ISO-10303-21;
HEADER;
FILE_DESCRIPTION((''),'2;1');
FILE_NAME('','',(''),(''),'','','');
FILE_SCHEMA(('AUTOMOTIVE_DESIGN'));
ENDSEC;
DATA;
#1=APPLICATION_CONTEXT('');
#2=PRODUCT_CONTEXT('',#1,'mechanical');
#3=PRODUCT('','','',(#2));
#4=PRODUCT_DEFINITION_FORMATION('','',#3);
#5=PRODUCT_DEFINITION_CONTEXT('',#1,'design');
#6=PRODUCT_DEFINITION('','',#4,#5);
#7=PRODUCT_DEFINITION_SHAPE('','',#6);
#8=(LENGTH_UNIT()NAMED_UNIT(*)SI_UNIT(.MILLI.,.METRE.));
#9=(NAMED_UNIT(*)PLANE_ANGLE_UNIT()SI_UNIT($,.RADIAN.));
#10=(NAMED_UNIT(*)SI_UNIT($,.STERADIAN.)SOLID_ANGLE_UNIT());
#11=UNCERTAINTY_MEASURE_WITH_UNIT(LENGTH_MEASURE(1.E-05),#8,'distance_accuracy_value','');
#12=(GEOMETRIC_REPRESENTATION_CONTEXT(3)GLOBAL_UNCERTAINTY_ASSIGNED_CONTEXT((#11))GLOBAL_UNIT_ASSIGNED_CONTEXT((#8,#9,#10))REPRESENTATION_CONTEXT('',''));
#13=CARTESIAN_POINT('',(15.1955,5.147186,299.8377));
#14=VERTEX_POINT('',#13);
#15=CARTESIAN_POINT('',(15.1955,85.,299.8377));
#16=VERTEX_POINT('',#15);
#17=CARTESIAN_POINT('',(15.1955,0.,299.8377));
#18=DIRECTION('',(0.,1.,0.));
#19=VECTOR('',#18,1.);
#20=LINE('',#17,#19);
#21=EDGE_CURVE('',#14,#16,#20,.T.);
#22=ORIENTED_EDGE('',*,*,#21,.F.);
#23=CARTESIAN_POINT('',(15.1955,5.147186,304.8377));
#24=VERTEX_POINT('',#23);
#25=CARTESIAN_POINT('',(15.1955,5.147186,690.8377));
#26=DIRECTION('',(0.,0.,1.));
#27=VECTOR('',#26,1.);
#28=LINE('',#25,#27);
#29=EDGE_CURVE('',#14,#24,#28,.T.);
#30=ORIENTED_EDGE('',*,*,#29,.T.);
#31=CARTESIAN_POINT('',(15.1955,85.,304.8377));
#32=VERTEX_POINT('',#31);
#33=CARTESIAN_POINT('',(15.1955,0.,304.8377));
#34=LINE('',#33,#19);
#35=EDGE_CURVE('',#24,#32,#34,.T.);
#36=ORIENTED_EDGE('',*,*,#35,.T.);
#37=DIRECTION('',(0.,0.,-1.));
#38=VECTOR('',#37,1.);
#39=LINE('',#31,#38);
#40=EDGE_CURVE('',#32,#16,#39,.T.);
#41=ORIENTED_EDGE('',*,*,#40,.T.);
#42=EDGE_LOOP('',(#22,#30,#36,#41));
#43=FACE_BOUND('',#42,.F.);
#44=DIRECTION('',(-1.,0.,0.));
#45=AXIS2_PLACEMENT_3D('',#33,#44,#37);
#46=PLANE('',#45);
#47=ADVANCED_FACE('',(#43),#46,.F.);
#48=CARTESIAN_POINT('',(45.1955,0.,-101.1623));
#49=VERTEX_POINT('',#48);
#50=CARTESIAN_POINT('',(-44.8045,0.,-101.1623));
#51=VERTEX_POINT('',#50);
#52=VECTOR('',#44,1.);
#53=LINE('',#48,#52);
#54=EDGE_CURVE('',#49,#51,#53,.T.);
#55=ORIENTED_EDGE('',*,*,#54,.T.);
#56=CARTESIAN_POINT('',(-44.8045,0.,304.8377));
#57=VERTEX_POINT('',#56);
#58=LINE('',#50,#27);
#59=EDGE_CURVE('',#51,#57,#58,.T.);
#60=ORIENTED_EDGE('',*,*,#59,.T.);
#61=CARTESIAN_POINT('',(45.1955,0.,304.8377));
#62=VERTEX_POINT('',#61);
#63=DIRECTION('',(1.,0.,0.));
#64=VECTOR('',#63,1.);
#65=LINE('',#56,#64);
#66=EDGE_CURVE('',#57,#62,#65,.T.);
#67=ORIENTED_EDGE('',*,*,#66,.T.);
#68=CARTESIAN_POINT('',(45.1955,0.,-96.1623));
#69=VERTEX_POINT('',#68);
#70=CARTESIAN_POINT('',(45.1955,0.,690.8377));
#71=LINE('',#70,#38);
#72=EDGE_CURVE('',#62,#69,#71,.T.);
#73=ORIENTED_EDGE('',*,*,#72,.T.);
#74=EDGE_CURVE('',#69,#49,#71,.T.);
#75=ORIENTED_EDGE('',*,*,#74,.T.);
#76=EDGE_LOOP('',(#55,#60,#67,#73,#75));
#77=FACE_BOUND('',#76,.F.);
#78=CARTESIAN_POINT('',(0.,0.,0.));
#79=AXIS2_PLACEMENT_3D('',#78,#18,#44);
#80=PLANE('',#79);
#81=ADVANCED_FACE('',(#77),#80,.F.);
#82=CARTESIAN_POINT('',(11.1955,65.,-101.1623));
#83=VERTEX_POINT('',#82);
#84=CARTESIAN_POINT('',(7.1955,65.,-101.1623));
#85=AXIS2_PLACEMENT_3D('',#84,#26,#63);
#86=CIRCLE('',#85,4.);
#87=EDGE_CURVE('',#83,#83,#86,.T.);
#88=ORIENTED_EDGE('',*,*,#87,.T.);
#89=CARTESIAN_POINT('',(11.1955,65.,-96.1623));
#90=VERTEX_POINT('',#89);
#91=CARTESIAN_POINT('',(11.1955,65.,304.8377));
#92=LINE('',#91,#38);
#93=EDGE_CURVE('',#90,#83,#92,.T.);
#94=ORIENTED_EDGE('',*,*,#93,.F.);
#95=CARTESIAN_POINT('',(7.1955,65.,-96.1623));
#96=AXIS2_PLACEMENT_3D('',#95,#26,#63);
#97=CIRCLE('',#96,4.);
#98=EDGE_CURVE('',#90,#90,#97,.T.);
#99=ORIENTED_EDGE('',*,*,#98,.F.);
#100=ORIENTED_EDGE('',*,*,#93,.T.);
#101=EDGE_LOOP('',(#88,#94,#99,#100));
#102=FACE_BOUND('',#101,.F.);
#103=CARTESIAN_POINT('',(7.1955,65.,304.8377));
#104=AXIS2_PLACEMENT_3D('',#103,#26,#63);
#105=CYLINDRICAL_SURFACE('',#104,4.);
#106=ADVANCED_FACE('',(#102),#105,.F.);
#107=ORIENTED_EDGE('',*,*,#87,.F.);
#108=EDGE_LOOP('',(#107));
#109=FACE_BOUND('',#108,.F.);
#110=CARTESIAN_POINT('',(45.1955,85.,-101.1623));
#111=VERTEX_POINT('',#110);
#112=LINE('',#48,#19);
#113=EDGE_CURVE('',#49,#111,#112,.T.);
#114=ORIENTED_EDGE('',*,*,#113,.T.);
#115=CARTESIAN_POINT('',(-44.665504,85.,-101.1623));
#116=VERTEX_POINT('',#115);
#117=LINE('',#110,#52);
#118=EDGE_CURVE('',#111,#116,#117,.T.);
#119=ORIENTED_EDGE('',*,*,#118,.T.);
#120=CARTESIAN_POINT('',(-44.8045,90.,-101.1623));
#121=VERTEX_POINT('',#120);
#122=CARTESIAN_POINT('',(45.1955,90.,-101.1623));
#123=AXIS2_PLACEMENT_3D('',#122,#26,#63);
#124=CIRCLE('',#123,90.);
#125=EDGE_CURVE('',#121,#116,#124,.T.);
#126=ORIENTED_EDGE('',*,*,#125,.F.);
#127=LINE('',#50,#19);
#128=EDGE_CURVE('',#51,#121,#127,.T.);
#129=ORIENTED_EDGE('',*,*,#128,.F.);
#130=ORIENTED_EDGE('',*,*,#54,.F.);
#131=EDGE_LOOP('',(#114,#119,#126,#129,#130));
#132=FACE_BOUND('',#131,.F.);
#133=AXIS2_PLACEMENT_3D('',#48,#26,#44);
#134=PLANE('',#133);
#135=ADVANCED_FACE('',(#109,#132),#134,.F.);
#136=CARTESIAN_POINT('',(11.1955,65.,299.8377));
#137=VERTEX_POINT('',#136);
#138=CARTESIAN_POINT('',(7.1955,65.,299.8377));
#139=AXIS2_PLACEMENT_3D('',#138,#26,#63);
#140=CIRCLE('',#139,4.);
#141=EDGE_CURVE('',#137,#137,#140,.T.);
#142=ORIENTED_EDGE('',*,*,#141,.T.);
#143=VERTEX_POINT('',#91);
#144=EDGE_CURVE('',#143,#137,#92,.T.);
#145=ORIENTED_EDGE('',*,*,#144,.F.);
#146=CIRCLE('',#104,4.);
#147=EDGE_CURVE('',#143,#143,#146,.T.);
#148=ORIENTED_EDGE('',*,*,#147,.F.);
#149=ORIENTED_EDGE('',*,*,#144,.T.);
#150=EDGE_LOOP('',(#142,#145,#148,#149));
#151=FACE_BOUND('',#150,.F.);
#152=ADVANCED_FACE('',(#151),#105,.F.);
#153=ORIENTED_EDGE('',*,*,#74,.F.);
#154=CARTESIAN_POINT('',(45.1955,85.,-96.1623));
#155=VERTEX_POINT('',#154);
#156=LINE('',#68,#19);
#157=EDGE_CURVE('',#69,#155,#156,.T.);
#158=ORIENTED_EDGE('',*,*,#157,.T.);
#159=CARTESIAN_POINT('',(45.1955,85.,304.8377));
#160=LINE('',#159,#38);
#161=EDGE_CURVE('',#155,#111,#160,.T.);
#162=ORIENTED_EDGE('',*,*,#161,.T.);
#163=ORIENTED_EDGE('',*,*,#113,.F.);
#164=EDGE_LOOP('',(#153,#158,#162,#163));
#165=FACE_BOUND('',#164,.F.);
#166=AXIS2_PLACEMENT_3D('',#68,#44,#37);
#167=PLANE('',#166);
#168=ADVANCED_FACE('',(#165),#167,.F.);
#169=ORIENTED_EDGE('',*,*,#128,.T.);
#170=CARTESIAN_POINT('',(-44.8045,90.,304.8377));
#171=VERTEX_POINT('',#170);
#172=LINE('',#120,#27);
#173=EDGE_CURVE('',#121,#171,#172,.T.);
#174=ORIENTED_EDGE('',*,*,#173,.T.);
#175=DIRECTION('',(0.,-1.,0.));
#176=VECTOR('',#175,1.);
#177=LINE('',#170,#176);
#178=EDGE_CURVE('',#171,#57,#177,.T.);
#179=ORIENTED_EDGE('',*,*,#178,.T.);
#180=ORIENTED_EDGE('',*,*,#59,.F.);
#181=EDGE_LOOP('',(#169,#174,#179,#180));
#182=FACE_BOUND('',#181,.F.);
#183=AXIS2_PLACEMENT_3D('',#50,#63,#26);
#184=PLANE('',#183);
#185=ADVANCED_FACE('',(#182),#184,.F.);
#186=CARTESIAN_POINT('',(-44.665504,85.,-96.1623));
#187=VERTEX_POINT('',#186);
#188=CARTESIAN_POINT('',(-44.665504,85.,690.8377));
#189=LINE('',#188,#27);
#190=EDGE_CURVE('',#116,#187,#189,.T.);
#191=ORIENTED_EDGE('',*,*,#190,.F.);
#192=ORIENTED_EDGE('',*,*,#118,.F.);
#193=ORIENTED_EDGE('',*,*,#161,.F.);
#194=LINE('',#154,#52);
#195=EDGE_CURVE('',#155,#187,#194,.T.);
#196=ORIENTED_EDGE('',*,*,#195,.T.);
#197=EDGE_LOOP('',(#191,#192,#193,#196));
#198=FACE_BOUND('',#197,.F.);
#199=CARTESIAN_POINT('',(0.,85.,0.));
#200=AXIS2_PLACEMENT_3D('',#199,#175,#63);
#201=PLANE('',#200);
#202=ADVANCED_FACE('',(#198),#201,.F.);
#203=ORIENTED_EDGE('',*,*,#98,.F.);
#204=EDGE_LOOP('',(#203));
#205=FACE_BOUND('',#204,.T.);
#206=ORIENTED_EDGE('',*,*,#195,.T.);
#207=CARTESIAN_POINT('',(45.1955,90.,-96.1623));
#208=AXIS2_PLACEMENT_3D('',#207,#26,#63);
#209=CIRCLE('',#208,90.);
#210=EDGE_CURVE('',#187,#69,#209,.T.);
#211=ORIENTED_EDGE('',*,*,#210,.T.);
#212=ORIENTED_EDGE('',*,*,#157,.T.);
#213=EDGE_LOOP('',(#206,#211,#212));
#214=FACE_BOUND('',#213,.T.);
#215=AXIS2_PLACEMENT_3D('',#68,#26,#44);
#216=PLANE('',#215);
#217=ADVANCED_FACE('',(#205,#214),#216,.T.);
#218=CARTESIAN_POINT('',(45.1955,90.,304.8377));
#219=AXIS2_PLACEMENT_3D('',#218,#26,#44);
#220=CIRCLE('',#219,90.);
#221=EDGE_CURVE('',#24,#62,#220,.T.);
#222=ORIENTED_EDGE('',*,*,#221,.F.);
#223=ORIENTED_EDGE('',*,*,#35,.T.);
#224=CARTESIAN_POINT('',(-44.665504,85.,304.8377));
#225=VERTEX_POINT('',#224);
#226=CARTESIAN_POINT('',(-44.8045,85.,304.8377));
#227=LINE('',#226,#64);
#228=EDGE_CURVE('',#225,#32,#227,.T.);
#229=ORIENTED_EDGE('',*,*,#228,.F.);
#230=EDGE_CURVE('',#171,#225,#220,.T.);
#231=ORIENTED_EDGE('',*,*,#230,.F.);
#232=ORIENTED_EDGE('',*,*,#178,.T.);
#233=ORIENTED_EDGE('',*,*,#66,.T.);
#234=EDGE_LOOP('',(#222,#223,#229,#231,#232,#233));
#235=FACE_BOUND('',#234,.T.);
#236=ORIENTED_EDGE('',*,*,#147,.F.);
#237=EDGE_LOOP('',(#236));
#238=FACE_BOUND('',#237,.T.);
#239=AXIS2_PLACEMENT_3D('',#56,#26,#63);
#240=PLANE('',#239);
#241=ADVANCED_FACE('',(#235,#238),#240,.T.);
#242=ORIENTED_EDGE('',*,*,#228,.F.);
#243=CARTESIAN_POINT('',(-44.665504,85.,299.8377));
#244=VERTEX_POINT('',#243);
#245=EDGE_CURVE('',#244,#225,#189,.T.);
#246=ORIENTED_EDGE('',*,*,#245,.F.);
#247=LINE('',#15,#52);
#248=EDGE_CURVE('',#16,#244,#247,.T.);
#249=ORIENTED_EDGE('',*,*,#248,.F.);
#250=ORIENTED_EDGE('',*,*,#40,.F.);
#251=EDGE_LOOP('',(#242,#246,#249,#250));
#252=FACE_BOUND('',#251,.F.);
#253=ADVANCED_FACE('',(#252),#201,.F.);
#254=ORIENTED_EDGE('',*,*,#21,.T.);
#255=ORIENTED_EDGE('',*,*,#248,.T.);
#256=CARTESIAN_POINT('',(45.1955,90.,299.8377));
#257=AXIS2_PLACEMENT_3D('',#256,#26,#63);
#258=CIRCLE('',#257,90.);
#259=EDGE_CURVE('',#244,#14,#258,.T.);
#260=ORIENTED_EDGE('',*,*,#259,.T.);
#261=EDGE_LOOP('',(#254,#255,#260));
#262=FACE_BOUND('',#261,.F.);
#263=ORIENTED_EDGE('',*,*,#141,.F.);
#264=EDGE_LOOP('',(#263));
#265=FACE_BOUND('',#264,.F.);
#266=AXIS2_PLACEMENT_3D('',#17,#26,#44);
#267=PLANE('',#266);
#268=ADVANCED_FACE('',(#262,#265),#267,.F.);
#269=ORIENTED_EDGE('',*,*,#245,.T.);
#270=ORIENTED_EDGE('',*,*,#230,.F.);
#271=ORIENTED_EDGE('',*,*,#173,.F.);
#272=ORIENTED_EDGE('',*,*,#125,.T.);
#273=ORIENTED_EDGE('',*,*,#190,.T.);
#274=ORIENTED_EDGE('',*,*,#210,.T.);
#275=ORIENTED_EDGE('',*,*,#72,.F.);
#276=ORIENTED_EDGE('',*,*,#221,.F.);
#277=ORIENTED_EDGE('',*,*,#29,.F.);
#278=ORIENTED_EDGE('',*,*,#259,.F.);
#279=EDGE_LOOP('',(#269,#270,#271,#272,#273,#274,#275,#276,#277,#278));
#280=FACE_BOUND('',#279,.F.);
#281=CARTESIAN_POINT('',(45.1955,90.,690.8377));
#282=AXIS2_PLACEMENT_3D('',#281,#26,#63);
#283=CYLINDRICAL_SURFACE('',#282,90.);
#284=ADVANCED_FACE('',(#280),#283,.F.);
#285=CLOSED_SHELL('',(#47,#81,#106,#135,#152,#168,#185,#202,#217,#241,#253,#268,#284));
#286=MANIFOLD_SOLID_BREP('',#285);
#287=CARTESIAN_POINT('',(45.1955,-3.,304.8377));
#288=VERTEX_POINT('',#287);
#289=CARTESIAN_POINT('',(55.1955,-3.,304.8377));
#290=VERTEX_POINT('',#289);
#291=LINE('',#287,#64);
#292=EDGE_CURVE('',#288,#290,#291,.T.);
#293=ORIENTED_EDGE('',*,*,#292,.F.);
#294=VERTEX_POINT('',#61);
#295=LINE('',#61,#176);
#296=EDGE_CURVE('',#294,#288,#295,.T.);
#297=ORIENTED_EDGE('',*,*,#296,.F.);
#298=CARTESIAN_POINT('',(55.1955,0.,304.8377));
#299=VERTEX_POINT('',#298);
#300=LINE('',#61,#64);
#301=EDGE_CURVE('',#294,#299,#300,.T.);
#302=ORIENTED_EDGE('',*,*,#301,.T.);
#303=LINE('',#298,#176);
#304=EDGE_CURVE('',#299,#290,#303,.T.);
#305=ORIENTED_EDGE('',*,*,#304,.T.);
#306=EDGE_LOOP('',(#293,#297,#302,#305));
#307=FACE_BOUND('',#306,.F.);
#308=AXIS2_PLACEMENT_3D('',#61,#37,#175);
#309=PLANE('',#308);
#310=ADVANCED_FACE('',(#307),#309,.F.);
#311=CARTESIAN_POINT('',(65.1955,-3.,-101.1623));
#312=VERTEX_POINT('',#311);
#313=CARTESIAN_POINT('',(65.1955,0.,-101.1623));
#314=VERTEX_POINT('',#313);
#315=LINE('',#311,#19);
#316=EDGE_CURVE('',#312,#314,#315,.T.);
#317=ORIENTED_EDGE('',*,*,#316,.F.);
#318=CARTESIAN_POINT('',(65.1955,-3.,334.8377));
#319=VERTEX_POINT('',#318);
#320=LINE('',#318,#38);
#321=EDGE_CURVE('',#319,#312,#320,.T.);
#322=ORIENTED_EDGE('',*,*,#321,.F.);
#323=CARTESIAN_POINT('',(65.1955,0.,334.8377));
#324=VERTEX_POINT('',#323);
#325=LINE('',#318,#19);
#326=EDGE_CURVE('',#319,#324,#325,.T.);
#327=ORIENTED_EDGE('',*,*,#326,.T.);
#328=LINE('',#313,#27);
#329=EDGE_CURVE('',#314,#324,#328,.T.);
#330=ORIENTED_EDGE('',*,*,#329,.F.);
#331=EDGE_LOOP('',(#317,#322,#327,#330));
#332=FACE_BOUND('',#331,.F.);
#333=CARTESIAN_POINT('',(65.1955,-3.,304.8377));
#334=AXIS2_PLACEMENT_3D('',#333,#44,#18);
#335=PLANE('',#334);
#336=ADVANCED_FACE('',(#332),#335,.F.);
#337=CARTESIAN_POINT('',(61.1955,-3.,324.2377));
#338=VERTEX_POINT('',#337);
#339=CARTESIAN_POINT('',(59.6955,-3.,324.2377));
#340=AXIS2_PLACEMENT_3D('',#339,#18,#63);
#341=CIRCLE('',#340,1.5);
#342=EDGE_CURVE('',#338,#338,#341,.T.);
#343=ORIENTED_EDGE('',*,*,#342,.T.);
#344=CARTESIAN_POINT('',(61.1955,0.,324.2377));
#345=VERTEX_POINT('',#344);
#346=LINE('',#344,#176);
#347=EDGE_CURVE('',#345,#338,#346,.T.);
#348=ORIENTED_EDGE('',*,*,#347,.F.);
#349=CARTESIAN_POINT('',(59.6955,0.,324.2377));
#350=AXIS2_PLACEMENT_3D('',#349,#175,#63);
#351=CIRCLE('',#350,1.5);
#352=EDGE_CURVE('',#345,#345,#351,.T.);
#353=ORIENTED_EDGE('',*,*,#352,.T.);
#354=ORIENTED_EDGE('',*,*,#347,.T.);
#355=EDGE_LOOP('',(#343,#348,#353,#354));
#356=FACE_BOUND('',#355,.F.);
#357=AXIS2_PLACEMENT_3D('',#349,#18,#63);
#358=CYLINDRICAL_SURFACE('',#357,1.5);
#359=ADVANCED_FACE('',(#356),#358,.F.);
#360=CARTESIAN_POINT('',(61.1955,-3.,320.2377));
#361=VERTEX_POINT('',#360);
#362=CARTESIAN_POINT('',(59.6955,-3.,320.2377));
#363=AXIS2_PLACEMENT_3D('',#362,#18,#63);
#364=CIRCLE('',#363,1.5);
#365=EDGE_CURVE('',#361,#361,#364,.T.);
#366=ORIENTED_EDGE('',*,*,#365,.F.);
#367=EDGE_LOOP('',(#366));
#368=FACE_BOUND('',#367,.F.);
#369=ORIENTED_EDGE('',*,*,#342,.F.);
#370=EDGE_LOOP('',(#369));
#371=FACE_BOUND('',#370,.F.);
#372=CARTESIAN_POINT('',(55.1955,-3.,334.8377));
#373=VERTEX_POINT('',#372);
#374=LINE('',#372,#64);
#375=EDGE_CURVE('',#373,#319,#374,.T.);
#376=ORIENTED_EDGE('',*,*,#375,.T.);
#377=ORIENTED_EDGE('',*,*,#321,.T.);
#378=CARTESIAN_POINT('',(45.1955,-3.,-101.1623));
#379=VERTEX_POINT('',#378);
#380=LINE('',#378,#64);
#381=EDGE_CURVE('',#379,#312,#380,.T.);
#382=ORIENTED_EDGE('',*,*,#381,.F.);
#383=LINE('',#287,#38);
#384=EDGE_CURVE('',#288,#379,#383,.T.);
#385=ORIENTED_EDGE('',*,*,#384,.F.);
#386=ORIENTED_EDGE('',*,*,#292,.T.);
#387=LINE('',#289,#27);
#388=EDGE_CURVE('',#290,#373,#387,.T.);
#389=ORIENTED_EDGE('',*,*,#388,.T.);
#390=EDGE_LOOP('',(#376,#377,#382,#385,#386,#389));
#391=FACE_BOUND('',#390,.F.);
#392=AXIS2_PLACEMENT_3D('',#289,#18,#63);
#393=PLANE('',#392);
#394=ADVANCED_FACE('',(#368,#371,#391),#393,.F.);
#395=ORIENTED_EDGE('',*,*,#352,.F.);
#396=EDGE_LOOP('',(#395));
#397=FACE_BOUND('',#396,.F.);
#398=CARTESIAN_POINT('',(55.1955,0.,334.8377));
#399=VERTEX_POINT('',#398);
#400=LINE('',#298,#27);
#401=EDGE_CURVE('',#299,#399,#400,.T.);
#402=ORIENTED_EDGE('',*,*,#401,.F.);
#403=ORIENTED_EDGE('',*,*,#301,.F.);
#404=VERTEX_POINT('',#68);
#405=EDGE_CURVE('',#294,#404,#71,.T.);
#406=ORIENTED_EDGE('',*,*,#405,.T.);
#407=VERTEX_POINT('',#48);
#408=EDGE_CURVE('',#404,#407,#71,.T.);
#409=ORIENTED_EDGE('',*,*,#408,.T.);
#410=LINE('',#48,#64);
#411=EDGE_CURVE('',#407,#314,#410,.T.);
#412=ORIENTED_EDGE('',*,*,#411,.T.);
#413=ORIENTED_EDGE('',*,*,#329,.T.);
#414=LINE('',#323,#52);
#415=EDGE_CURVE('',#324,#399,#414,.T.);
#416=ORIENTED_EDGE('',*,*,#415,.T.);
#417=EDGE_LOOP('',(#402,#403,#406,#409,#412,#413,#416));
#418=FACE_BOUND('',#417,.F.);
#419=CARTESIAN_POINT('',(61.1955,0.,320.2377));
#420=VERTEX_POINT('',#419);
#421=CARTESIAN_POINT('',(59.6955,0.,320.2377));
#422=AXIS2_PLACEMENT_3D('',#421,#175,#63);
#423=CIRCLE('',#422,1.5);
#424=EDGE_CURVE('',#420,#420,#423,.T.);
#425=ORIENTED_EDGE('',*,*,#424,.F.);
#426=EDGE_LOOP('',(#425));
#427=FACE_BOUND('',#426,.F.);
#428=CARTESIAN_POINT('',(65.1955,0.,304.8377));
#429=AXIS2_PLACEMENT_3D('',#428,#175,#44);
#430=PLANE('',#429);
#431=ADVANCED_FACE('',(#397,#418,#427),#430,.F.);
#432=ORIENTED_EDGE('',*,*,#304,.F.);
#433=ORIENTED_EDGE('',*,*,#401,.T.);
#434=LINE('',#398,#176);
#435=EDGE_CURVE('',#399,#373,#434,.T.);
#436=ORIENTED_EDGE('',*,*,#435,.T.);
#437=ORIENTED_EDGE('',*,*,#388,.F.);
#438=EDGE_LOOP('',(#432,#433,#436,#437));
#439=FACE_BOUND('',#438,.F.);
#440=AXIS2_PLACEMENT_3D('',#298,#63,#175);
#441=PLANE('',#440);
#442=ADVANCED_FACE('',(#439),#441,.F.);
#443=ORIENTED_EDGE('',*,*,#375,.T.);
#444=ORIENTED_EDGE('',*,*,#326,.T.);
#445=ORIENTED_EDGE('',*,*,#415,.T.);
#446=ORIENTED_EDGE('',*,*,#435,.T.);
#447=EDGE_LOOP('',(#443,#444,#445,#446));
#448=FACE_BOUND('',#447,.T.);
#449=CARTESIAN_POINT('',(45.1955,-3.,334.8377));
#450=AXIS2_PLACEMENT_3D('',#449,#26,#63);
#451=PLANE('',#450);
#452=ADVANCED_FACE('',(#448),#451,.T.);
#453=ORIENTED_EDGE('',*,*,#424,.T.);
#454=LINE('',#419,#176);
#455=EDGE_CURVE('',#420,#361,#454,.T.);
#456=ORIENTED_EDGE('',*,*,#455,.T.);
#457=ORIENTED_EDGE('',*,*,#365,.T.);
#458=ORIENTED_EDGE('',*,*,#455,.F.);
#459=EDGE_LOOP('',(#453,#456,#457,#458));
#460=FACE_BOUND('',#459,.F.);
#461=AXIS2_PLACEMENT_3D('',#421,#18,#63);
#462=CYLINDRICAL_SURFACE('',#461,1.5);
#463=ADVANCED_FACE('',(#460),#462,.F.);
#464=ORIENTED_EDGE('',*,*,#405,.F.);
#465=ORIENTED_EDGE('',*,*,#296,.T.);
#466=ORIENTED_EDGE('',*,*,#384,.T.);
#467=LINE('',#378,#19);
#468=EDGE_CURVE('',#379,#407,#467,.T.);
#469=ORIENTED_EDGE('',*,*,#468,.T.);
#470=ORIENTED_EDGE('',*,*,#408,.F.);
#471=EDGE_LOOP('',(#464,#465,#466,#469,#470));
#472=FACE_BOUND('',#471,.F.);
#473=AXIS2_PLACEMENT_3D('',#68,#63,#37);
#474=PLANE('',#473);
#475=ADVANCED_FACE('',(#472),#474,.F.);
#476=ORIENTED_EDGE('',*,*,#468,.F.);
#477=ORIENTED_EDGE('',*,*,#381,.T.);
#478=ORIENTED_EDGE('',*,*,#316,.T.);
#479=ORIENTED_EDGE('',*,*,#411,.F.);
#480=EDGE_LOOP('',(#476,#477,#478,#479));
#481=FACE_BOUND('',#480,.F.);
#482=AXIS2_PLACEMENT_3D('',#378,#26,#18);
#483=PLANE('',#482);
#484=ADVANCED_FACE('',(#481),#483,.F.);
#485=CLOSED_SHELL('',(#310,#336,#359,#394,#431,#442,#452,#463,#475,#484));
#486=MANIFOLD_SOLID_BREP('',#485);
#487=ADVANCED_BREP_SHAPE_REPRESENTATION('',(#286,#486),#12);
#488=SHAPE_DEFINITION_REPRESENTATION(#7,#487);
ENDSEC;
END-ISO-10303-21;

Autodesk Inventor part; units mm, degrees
ref_plane "YZ Plane" through (0, 0, 0) normal (1, 0, 0) x (0, 1, 0)
ref_plane "XZ Plane" through (0, 0, 0) normal (0, 1, 0) x (-1, 0, 0)
ref_plane "XY Plane" through (0, 0, 0) normal (0, 0, 1) x (1, 0, 0)
sketch "草图1" plane through (0, 0, 0) normal (0, 1, 0) x (-1, 0, 0)
  line L0 (44.8045, 690.8377) -> (-45.1955, 690.8377)
  line L1 (-45.1955, 690.8377) -> (-45.1955, -101.1623)
  line L2 (-45.1955, -101.1623) -> (44.8045, -101.1623)
  line L3 (44.8045, -101.1623) -> (44.8045, 690.8377)
  point P0 (0, 0)
  dimension "d0" = 90
  dimension "d1" = 792
extrude "拉伸1" add sketch "草图1" along normal blind 90
sketch "草图3" plane through (-44.8045, 0, 690.8377) normal (0, 0, 1) x (1, 0, 0)
  line L0 (90, 0) -> (90, 90) projected
  circle A0 centre (90, 90) radius 90
  line L1 (0, 0) -> (0, 90) projected
  point P0 (44.8045, 0)
extrude "拉伸3" cut sketch "草图3" against normal through all
sketch "草图6" plane through (-44.8045, 0, 690.8377) normal (0, 0, 1) x (1, 0, 0)
  line L0 (0, 0) -> (0, 90) projected
  line L1 (0, 0) -> (90, 0) projected
  arc A0 (0, 90) -> (90, 0) centre (90, 90) ccw
  arc A1 (0, 90) -> (90, 0) centre (90, 90) ccw projected
  line L2 (0, 90) -> (0, 0)
  line L3 (0, 0) -> (90, 0)
extrude "拉伸6" cut sketch "草图6" against normal blind 386
sketch "草图9" plane through (0, 0, 0) normal (0, -1, 0) x (1, 0, 0)
  line L0 (45.1955, -101.1623) -> (-44.8045, -101.1623) projected
  line L1 (45.1955, 304.8377) -> (45.1955, -101.1623) projected
  line L2 (-44.8045, -101.1623) -> (45.1955, -101.1623)
  line L3 (45.1955, -101.1623) -> (45.1955, -96.1623)
  line L4 (45.1955, -96.1623) -> (-44.8045, -96.1623)
  line L5 (-44.8045, -96.1623) -> (-44.8045, -101.1623)
  point P0 (0, 0)
  point P1 (43.3955, 107.8377)
  point P2 (-44.8045, 304.8377)
  dimension "d75" = 5
extrude "拉伸9" add sketch "草图9" against normal blind 85
sketch "草图12" plane through (0, 0, 0) normal (0, -1, 0) x (1, 0, 0)
  line L0 (-44.8045, -101.1623) -> (-44.8045, 304.8377) projected
  line L1 (-44.8045, 304.8377) -> (15.1955, 304.8377)
  line L2 (15.1955, 304.8377) -> (15.1955, 299.8377)
  line L3 (15.1955, 299.8377) -> (-44.8045, 299.8377)
  line L4 (-44.8045, 299.8377) -> (-44.8045, 304.8377)
  point P0 (0, 0)
  point P1 (45.1955, 304.8377)
  dimension "d76" = 5
  dimension "d77" = 60
extrude "拉伸12" add sketch "草图12" against normal blind 85
sketch "草图13" plane through (-44.8045, 0, 304.8377) normal (0, 0, 1) x (1, 0, 0)
  line L0 (60, 5.1472) -> (60, 85) projected
  line L1 (60, 85) -> (60, 65)
  line L2 (60, 65) -> (52, 65)
  circle A0 centre (52, 65) radius 4
  point P0 (44.8045, 0)
  point P1 (50, 85)
  dimension "d81" = 20
  dimension "d82" = 8
  dimension "d83" = 8
extrude "拉伸13" cut sketch "草图13" against normal blind 1000
sketch "草图20" plane through (45.1955, 0, -96.1623) normal (1, 0, 0) x (0, 0, -1)
  line L0 (5, 0) -> (5, 85) projected
  line L1 (5, 0) -> (-401, 0)
  line L2 (-401, 0) -> (-401, -3)
  line L3 (-401, -3) -> (5, -3)
  line L4 (5, -3) -> (5, 0)
  point P0 (-96.1623, 0)
  dimension "d84" = 3
extrude "拉伸20" add sketch "草图20" along normal blind 20
sketch "草图21" plane through (45.1955, -3, 304.8377) normal (0, 0, 1) x (1, 0, 0)
  line L0 (20, 3) -> (10, 3)
  line L1 (10, 3) -> (10, 0)
  line L2 (10, 0) -> (20, 0)
  line L3 (20, 0) -> (20, 3)
  point P0 (-45.1955, 3)
  dimension "d87" = 10
  dimension "d97" = 3
extrude "拉伸21" add sketch "草图21" along normal blind 30
sketch "草图22" plane through (45.1955, 0, -101.1623) normal (0, 1, 0) x (1, 0, 0)
  circle A0 centre (14.5, -425.4) radius 1.5
  line L0 (20, -436) -> (10, -436) projected
  line L1 (20, 0) -> (20, -436) projected
  line L2 (14.5, -425.4) -> (14.5, -421.4)
  circle A1 centre (14.5, -421.4) radius 1.5
  point P0 (-45.1955, -101.1623)
  dimension "d90" = 3
  dimension "d93" = 10.6
  dimension "d94" = 5.5
  dimension "d95" = 4
  dimension "d96" = 3
extrude "拉伸22" cut sketch "草图22" against normal blind 30
equation "\"折弯半径\" = 厚度"
equation "\"折弯释压宽度\" = 厚度"
equation "\"折弯释压深度\" = 0.5 * 厚度"
equation "\"拐角释压尺寸\" = 4 * 厚度"
equation "\"最小余量\" = 2 * 厚度"
equation "\"过渡半径\" = 折弯半径"
equation "\"Jacobi半径尺寸\" = 折弯半径"
equation "\"间隙大小\" = 厚度"
equation "\"厚度\" = 0.5"
properties part number "22"
